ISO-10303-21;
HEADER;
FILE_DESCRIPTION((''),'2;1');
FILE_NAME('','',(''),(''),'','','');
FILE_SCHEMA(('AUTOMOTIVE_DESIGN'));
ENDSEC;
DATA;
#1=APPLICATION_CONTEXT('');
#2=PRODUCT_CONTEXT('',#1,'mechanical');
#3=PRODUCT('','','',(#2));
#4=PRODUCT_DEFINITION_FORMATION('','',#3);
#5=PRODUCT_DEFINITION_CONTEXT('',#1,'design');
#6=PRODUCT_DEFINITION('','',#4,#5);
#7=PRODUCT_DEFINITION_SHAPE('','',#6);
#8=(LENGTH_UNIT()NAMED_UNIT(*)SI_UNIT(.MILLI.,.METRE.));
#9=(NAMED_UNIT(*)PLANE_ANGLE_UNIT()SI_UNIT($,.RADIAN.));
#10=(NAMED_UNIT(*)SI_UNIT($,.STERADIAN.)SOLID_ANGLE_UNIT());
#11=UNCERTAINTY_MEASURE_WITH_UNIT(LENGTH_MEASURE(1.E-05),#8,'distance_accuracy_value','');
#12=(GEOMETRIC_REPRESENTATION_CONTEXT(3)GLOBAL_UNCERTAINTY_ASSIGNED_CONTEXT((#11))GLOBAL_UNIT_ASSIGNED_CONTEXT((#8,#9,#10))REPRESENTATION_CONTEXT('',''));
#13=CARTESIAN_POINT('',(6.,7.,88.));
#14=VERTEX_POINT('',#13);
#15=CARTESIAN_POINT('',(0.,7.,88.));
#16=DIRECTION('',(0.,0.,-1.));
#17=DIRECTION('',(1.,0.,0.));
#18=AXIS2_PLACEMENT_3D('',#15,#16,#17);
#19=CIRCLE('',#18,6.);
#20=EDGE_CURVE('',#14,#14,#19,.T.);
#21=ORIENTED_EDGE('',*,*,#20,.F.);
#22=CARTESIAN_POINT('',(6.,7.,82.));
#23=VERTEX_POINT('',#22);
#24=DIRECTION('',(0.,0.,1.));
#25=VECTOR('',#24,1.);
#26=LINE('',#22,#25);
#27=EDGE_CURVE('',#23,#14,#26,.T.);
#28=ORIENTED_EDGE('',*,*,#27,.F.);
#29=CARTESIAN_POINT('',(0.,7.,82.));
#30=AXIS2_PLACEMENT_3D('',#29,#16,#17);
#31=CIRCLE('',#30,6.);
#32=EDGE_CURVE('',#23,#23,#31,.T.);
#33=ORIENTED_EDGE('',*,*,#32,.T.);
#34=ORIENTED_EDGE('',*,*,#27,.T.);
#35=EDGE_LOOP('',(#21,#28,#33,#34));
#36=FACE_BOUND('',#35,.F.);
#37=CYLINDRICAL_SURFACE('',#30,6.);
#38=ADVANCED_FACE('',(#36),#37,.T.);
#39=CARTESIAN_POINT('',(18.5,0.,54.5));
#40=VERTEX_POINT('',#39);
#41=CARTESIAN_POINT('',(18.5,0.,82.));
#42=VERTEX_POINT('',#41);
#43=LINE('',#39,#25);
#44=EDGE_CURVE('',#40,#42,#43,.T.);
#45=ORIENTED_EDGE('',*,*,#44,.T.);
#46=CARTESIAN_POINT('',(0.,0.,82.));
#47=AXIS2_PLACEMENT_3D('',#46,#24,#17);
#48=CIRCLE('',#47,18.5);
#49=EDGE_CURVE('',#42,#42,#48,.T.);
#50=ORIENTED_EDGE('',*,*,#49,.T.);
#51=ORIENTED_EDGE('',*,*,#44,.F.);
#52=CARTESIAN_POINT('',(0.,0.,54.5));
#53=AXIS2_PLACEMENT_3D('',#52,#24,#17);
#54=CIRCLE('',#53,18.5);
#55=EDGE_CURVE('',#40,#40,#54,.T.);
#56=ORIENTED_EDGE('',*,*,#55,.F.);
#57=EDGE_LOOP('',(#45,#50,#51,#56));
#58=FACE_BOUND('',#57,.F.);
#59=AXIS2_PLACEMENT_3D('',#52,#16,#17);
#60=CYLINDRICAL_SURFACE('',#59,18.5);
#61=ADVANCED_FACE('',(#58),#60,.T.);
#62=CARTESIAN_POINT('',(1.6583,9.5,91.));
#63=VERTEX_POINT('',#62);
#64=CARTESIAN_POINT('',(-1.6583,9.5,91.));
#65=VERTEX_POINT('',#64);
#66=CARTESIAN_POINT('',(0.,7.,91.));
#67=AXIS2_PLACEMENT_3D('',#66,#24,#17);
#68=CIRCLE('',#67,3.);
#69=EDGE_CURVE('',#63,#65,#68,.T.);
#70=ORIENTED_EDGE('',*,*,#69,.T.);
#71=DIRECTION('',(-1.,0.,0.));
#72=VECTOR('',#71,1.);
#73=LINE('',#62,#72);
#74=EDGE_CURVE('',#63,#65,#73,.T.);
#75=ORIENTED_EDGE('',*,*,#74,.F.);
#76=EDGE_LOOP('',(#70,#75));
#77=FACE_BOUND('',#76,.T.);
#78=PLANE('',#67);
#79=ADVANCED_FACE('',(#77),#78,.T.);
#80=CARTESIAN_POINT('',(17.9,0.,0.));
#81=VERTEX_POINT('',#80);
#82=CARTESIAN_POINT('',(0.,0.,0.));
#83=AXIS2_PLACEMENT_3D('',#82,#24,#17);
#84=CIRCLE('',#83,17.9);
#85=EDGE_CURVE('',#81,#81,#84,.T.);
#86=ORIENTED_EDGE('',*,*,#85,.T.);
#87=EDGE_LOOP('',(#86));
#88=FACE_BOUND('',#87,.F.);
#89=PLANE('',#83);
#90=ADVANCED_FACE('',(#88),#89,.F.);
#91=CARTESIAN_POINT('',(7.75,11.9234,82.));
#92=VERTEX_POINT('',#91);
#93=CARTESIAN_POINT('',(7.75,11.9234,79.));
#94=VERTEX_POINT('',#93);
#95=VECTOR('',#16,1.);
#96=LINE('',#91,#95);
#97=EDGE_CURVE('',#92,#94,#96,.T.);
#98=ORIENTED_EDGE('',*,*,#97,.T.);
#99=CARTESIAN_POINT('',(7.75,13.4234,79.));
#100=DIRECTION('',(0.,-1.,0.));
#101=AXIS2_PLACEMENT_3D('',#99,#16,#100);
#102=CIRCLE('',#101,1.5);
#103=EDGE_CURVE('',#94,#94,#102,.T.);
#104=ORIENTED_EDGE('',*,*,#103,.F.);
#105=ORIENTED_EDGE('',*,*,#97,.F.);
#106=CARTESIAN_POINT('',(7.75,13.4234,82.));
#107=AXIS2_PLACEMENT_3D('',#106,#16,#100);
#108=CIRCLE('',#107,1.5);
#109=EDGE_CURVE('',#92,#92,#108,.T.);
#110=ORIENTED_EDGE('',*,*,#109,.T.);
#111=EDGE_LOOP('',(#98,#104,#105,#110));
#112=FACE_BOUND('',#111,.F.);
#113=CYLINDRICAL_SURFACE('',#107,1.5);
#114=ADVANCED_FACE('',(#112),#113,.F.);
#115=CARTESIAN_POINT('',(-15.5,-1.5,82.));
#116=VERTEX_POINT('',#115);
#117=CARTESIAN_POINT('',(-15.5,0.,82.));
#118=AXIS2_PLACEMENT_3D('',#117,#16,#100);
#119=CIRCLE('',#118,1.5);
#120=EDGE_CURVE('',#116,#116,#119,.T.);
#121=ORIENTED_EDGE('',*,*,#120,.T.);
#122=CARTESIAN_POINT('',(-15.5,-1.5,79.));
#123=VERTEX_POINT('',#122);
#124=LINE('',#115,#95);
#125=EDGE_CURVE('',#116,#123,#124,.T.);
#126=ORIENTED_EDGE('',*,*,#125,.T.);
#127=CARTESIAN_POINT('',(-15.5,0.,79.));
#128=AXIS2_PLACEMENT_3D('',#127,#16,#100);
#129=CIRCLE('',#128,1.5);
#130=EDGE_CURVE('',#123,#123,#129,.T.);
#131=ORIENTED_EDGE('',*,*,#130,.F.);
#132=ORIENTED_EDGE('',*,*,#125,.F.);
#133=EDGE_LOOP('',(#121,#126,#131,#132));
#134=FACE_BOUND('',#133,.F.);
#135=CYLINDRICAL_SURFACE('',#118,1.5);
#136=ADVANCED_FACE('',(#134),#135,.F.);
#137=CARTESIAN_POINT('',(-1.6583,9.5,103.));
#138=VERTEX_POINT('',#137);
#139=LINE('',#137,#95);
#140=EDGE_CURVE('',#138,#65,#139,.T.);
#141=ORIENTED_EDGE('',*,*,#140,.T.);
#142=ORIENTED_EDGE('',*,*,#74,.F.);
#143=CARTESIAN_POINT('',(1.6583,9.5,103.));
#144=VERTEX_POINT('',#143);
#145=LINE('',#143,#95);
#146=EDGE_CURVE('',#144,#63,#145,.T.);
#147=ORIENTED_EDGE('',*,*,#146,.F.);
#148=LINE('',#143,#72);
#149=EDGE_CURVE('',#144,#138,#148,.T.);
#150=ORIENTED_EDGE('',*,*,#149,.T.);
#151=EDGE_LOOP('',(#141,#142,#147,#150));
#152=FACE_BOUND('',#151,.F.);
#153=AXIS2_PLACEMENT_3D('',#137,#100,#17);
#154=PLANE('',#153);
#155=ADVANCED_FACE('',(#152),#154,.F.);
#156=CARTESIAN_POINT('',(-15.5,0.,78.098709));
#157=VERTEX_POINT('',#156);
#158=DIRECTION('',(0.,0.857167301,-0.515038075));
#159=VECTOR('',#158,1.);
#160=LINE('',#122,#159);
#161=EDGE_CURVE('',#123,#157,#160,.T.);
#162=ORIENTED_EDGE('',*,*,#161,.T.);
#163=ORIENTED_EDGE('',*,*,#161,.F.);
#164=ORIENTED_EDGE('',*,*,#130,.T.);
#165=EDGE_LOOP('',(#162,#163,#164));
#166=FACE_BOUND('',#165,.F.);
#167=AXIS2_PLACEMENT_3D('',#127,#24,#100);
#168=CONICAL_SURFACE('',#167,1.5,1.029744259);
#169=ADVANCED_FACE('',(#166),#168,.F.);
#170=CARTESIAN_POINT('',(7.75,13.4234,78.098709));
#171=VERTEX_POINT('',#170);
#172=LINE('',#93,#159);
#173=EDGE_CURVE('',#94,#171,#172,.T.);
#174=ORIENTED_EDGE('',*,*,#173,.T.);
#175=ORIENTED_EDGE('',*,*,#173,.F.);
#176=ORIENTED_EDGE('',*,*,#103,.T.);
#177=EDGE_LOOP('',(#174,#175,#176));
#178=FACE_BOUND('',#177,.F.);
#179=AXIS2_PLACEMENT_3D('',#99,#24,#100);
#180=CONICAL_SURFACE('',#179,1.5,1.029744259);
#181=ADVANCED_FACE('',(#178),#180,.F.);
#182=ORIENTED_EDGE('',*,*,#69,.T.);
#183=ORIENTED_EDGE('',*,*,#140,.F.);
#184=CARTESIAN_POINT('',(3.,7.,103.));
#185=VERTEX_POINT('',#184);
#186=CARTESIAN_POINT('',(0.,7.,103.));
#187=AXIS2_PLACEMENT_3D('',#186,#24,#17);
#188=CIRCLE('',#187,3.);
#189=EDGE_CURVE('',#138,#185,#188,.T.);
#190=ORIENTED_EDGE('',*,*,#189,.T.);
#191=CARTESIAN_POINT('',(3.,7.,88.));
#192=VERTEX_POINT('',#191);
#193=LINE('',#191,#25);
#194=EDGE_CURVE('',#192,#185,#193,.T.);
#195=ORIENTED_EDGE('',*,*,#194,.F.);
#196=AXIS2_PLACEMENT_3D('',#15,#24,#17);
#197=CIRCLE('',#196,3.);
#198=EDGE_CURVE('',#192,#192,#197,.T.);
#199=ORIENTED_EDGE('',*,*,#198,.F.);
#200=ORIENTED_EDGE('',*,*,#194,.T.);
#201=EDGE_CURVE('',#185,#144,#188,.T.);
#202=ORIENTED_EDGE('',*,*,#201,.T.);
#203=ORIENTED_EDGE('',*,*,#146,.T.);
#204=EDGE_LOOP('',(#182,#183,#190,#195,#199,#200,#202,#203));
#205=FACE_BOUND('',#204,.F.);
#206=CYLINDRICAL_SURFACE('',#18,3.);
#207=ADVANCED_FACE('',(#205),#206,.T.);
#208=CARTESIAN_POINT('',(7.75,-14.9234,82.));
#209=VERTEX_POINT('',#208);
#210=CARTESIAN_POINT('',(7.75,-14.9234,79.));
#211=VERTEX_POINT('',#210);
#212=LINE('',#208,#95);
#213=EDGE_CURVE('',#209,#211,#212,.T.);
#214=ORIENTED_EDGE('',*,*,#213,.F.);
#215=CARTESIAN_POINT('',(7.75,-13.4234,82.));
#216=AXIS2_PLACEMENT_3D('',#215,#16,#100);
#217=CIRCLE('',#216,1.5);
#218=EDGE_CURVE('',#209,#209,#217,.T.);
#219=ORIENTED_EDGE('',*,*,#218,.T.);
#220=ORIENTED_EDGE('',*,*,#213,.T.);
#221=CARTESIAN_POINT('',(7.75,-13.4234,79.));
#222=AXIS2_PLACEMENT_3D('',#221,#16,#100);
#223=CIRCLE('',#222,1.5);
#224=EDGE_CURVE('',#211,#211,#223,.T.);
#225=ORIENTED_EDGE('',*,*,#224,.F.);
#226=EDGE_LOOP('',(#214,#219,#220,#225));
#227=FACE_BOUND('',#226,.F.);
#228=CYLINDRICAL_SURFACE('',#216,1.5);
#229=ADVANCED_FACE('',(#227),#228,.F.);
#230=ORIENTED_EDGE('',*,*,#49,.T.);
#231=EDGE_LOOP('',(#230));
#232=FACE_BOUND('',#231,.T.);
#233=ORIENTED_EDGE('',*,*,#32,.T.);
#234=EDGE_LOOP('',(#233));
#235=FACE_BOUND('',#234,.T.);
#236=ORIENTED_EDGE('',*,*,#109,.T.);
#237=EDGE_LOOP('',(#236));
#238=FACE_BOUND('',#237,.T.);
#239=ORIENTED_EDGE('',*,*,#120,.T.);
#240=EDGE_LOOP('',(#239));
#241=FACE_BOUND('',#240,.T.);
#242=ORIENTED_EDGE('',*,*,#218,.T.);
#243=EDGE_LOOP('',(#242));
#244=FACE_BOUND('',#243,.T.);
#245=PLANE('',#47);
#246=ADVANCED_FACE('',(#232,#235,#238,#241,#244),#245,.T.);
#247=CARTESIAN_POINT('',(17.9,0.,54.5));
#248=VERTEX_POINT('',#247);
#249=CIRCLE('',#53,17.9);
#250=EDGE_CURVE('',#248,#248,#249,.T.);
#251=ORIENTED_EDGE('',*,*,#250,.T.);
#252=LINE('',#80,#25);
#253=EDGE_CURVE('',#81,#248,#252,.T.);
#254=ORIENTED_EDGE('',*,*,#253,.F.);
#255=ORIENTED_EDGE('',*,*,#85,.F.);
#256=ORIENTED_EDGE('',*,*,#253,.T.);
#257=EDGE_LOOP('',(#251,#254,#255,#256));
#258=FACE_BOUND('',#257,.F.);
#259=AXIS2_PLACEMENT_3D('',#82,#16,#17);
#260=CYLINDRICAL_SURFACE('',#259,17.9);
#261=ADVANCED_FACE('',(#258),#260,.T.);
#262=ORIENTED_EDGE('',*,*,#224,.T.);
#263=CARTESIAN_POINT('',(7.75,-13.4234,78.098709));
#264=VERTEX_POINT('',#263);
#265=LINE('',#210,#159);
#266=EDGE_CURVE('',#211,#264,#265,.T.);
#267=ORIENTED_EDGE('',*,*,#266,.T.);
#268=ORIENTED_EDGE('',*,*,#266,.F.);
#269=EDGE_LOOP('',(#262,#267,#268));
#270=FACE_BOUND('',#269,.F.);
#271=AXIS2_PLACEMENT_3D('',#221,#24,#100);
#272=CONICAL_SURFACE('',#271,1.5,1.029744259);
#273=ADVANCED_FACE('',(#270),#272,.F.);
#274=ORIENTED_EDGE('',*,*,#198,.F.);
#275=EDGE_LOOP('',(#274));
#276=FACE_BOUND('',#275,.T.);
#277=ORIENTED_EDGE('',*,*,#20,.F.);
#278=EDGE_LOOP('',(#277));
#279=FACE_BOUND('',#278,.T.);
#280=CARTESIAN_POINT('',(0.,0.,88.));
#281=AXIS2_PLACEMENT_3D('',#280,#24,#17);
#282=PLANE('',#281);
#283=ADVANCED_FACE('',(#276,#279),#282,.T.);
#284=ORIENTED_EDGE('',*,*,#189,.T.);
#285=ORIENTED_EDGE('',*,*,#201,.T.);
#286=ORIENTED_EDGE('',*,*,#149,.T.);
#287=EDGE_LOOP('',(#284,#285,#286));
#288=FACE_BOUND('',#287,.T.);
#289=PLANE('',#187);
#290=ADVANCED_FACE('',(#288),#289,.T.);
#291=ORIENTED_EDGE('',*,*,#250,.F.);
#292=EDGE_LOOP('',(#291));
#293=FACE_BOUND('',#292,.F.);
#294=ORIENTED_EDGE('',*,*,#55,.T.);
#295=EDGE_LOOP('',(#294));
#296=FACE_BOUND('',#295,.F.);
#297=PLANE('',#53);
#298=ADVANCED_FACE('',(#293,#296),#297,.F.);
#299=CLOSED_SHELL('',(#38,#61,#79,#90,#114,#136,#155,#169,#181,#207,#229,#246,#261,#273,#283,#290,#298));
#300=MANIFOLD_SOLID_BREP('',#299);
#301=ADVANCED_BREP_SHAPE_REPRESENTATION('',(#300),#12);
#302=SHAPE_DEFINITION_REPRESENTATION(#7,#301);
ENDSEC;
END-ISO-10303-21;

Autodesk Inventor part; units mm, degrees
ref_plane "YZ Plane" through (0, 0, 0) normal (1, 0, 0) x (0, 1, 0)
ref_plane "XZ Plane" through (0, 0, 0) normal (0, 1, 0) x (-1, 0, 0)
ref_plane "XY Plane" through (0, 0, 0) normal (0, 0, 1) x (1, 0, 0)
sketch "スケッチ1" plane through (0, 0, 0) normal (0, 0, 1) x (1, 0, 0)
  circle A0 centre (0, 0) radius 17.9
  dimension "d0" = 35.8
extrude "押し出し1" add sketch "スケッチ1" along normal blind 54.5
sketch "スケッチ2" plane through (0, 0, 54.5) normal (0, 0, 1) x (1, 0, 0)
  circle A0 centre (0, 0) radius 17.9 projected
  circle A1 centre (0, 0) radius 18.5
  dimension "d3" = 37
extrude "押し出し2" add sketch "スケッチ2" along normal blind 27.5 contours A0 | A1
sketch "スケッチ3" plane through (0, 0, 82) normal (0, 0, 1) x (1, 0, 0)
  circle A0 centre (0, 0) radius 18.5 projected
  line L0 (0, 0) -> (0, 7)
  circle A1 centre (0, 7) radius 6
  dimension "d6" = 7
  dimension "d7" = 12
extrude "押し出し3" add sketch "スケッチ3" along normal blind 6 contours A1
sketch "スケッチ4" plane through (0, 7, 88) normal (0, 0, 1) x (1, 0, 0)
  circle A0 centre (0, 0) radius 6 projected
  circle A1 centre (0, 0) radius 3
  point P0 (0, -7)
  dimension "d10" = 6
extrude "押し出し4" add sketch "スケッチ4" along normal blind 15 contours A1
sketch "スケッチ5" plane through (0, 7, 103) normal (0, 0, 1) x (1, 0, 0)
  circle A0 centre (0, 0) radius 3 projected
  line L0 (0, -3) -> (0, 2.5)
  line L1 (0, 2.5) -> (1.6583, 2.5)
  line L2 (-1.6583, 2.5) -> (0, 2.5)
  point P0 (0, -7)
  dimension "d13" = 5.5
extrude "押し出し5" cut sketch "スケッチ5" against normal blind 12 contours L1 L2 A0
sketch "スケッチ6" plane through (0, 0, 82) normal (0, 0, 1) x (1, 0, 0)
  circle A0 centre (0, 0) radius 18.5 projected
  circle A1 centre (0, 0) radius 15.5
  circle A2 centre (-15.5, 0) radius 1.5
  line L0 (0, 0) -> (7.75, 13.4234)
  line L1 (0, 0) -> (15.5, 0) construction
  line L2 (0, 0) -> (7.75, -13.4234)
  circle A3 centre (7.75, 13.4234) radius 1.5
  circle A4 centre (7.75, -13.4234) radius 1.5
  dimension "d16" = 31
  dimension "d17" = 3
  dimension "d18" = 60
  dimension "d19" = 3
  dimension "d20" = 3
hole "穴1" at (7.75, 13.4234, 82) at (-15.5, 0, 82) at (7.75, -13.4234, 82) direction (0, 0, -1) diameter 3 depth 3 tip angle 118
thread "ねじ1" size "M3x0.5" class "6H" standard "ANSI Metric M Profile" full length
thread "ねじ2" size "M3x0.5" class "6H" standard "ANSI Metric M Profile" full length
thread "ねじ3" size "M3x0.5" class "6H" standard "ANSI Metric M Profile" full length
properties part number "知能ロボコンタミヤギヤードモータ540" material "鋼、炭素鋼"
